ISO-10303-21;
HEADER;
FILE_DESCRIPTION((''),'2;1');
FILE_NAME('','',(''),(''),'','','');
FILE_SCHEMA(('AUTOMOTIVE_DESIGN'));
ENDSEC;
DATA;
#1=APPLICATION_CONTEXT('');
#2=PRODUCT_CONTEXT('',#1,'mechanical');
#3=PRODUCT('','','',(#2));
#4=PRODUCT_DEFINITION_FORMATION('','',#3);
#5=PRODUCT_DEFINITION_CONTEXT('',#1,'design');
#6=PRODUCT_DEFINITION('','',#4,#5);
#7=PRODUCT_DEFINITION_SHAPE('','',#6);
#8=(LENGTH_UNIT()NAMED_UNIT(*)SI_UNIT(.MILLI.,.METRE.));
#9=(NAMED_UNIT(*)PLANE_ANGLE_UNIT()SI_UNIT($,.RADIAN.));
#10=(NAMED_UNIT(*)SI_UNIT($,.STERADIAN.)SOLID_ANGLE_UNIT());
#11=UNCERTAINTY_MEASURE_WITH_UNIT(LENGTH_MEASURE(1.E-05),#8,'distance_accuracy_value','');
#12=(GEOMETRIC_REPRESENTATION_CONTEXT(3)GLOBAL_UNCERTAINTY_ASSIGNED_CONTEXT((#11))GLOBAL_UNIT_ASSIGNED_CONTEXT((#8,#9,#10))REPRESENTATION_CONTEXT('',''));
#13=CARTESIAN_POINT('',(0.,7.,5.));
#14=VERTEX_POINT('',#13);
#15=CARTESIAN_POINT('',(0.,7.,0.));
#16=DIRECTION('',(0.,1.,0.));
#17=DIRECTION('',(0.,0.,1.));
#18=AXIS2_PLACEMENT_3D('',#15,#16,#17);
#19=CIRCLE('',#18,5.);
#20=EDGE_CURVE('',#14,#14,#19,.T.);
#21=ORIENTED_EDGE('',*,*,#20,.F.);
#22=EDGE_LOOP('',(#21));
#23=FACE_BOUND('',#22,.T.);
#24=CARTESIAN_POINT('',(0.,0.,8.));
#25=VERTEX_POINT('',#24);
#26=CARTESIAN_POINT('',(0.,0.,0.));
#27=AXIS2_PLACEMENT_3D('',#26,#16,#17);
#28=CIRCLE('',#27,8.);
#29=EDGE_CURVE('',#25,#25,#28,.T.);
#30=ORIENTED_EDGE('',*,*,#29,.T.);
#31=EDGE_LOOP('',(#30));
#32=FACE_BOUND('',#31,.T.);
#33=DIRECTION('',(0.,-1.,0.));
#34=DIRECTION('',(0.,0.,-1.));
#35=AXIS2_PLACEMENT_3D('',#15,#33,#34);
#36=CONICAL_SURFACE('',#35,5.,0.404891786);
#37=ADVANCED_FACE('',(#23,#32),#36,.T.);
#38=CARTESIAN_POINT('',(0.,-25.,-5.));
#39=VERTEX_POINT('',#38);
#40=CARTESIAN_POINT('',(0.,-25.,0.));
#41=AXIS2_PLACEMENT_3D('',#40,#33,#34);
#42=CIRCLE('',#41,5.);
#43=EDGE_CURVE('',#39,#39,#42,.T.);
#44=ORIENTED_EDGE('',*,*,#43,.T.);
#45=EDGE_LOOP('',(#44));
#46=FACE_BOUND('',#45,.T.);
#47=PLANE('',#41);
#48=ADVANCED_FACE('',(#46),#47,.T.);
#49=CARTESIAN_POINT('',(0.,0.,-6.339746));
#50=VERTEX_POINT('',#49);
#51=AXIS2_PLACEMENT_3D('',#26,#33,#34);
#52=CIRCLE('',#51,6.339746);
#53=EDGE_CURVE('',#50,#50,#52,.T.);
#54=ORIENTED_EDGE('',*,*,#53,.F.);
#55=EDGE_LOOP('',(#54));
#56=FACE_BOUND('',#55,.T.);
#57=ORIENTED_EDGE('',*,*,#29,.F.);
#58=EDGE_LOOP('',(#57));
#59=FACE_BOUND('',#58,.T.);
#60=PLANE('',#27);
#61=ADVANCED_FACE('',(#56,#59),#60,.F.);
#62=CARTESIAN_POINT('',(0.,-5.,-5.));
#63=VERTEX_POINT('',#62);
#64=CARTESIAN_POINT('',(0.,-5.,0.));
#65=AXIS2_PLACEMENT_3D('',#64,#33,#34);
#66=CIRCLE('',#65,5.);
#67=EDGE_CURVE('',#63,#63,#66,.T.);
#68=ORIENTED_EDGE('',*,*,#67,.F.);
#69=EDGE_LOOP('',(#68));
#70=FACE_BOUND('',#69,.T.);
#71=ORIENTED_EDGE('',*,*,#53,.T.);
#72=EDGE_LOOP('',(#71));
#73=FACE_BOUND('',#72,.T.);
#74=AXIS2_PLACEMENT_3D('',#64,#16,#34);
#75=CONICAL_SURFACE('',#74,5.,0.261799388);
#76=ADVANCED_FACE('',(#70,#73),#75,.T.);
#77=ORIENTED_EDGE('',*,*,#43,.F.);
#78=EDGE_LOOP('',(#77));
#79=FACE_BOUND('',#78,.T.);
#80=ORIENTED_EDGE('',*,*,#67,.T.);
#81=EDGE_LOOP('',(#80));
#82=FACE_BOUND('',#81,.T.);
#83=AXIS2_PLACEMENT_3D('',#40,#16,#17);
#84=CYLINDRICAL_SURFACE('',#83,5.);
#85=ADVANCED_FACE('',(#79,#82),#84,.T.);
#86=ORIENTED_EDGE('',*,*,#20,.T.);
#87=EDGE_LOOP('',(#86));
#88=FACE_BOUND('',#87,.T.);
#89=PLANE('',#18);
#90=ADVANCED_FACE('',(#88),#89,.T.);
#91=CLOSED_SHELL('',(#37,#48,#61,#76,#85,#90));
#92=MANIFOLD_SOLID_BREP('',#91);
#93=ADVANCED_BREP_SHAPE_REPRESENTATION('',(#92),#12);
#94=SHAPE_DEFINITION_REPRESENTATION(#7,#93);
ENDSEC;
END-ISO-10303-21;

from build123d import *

# Parameters (mm, degrees)
SKETCH3_R           = 5
SKETCH1_R           = 8
SKETCH4_R           = 5
BOSS_EXTRUDE1_DEPTH = 5
BOSS_EXTRUDE1_TAPER = -15
SKETCH5_R           = 5
BOSS_EXTRUDE2_DEPTH = 20


with BuildPart() as part:
    # Sketch3 → Loft1 section 0
    with BuildSketch(Plane(origin=(0, 7, 0), x_dir=(1, 0, 0), z_dir=(0, 1, 0))):
        Circle(SKETCH3_R)
    # Sketch1 → Loft1 section 1
    with BuildSketch(Plane(origin=(0, 0, 0), x_dir=(1, 0, 0), z_dir=(0, 1, 0))):
        Circle(SKETCH1_R)
    loft()

    # Sketch4 → Boss-Extrude1 (add)
    with BuildSketch(Plane(origin=(0, -5, 0), x_dir=(-1, 0, 0), z_dir=(0, -1, 0))):
        Circle(SKETCH4_R)
    extrude(amount=-BOSS_EXTRUDE1_DEPTH, taper=BOSS_EXTRUDE1_TAPER)

    # Sketch5 → Boss-Extrude2 (add)
    with BuildSketch(Plane(origin=(0, -5, 0), x_dir=(-1, 0, 0), z_dir=(0, -1, 0))):
        Circle(SKETCH5_R)
    extrude(amount=BOSS_EXTRUDE2_DEPTH)


solid = part.part
